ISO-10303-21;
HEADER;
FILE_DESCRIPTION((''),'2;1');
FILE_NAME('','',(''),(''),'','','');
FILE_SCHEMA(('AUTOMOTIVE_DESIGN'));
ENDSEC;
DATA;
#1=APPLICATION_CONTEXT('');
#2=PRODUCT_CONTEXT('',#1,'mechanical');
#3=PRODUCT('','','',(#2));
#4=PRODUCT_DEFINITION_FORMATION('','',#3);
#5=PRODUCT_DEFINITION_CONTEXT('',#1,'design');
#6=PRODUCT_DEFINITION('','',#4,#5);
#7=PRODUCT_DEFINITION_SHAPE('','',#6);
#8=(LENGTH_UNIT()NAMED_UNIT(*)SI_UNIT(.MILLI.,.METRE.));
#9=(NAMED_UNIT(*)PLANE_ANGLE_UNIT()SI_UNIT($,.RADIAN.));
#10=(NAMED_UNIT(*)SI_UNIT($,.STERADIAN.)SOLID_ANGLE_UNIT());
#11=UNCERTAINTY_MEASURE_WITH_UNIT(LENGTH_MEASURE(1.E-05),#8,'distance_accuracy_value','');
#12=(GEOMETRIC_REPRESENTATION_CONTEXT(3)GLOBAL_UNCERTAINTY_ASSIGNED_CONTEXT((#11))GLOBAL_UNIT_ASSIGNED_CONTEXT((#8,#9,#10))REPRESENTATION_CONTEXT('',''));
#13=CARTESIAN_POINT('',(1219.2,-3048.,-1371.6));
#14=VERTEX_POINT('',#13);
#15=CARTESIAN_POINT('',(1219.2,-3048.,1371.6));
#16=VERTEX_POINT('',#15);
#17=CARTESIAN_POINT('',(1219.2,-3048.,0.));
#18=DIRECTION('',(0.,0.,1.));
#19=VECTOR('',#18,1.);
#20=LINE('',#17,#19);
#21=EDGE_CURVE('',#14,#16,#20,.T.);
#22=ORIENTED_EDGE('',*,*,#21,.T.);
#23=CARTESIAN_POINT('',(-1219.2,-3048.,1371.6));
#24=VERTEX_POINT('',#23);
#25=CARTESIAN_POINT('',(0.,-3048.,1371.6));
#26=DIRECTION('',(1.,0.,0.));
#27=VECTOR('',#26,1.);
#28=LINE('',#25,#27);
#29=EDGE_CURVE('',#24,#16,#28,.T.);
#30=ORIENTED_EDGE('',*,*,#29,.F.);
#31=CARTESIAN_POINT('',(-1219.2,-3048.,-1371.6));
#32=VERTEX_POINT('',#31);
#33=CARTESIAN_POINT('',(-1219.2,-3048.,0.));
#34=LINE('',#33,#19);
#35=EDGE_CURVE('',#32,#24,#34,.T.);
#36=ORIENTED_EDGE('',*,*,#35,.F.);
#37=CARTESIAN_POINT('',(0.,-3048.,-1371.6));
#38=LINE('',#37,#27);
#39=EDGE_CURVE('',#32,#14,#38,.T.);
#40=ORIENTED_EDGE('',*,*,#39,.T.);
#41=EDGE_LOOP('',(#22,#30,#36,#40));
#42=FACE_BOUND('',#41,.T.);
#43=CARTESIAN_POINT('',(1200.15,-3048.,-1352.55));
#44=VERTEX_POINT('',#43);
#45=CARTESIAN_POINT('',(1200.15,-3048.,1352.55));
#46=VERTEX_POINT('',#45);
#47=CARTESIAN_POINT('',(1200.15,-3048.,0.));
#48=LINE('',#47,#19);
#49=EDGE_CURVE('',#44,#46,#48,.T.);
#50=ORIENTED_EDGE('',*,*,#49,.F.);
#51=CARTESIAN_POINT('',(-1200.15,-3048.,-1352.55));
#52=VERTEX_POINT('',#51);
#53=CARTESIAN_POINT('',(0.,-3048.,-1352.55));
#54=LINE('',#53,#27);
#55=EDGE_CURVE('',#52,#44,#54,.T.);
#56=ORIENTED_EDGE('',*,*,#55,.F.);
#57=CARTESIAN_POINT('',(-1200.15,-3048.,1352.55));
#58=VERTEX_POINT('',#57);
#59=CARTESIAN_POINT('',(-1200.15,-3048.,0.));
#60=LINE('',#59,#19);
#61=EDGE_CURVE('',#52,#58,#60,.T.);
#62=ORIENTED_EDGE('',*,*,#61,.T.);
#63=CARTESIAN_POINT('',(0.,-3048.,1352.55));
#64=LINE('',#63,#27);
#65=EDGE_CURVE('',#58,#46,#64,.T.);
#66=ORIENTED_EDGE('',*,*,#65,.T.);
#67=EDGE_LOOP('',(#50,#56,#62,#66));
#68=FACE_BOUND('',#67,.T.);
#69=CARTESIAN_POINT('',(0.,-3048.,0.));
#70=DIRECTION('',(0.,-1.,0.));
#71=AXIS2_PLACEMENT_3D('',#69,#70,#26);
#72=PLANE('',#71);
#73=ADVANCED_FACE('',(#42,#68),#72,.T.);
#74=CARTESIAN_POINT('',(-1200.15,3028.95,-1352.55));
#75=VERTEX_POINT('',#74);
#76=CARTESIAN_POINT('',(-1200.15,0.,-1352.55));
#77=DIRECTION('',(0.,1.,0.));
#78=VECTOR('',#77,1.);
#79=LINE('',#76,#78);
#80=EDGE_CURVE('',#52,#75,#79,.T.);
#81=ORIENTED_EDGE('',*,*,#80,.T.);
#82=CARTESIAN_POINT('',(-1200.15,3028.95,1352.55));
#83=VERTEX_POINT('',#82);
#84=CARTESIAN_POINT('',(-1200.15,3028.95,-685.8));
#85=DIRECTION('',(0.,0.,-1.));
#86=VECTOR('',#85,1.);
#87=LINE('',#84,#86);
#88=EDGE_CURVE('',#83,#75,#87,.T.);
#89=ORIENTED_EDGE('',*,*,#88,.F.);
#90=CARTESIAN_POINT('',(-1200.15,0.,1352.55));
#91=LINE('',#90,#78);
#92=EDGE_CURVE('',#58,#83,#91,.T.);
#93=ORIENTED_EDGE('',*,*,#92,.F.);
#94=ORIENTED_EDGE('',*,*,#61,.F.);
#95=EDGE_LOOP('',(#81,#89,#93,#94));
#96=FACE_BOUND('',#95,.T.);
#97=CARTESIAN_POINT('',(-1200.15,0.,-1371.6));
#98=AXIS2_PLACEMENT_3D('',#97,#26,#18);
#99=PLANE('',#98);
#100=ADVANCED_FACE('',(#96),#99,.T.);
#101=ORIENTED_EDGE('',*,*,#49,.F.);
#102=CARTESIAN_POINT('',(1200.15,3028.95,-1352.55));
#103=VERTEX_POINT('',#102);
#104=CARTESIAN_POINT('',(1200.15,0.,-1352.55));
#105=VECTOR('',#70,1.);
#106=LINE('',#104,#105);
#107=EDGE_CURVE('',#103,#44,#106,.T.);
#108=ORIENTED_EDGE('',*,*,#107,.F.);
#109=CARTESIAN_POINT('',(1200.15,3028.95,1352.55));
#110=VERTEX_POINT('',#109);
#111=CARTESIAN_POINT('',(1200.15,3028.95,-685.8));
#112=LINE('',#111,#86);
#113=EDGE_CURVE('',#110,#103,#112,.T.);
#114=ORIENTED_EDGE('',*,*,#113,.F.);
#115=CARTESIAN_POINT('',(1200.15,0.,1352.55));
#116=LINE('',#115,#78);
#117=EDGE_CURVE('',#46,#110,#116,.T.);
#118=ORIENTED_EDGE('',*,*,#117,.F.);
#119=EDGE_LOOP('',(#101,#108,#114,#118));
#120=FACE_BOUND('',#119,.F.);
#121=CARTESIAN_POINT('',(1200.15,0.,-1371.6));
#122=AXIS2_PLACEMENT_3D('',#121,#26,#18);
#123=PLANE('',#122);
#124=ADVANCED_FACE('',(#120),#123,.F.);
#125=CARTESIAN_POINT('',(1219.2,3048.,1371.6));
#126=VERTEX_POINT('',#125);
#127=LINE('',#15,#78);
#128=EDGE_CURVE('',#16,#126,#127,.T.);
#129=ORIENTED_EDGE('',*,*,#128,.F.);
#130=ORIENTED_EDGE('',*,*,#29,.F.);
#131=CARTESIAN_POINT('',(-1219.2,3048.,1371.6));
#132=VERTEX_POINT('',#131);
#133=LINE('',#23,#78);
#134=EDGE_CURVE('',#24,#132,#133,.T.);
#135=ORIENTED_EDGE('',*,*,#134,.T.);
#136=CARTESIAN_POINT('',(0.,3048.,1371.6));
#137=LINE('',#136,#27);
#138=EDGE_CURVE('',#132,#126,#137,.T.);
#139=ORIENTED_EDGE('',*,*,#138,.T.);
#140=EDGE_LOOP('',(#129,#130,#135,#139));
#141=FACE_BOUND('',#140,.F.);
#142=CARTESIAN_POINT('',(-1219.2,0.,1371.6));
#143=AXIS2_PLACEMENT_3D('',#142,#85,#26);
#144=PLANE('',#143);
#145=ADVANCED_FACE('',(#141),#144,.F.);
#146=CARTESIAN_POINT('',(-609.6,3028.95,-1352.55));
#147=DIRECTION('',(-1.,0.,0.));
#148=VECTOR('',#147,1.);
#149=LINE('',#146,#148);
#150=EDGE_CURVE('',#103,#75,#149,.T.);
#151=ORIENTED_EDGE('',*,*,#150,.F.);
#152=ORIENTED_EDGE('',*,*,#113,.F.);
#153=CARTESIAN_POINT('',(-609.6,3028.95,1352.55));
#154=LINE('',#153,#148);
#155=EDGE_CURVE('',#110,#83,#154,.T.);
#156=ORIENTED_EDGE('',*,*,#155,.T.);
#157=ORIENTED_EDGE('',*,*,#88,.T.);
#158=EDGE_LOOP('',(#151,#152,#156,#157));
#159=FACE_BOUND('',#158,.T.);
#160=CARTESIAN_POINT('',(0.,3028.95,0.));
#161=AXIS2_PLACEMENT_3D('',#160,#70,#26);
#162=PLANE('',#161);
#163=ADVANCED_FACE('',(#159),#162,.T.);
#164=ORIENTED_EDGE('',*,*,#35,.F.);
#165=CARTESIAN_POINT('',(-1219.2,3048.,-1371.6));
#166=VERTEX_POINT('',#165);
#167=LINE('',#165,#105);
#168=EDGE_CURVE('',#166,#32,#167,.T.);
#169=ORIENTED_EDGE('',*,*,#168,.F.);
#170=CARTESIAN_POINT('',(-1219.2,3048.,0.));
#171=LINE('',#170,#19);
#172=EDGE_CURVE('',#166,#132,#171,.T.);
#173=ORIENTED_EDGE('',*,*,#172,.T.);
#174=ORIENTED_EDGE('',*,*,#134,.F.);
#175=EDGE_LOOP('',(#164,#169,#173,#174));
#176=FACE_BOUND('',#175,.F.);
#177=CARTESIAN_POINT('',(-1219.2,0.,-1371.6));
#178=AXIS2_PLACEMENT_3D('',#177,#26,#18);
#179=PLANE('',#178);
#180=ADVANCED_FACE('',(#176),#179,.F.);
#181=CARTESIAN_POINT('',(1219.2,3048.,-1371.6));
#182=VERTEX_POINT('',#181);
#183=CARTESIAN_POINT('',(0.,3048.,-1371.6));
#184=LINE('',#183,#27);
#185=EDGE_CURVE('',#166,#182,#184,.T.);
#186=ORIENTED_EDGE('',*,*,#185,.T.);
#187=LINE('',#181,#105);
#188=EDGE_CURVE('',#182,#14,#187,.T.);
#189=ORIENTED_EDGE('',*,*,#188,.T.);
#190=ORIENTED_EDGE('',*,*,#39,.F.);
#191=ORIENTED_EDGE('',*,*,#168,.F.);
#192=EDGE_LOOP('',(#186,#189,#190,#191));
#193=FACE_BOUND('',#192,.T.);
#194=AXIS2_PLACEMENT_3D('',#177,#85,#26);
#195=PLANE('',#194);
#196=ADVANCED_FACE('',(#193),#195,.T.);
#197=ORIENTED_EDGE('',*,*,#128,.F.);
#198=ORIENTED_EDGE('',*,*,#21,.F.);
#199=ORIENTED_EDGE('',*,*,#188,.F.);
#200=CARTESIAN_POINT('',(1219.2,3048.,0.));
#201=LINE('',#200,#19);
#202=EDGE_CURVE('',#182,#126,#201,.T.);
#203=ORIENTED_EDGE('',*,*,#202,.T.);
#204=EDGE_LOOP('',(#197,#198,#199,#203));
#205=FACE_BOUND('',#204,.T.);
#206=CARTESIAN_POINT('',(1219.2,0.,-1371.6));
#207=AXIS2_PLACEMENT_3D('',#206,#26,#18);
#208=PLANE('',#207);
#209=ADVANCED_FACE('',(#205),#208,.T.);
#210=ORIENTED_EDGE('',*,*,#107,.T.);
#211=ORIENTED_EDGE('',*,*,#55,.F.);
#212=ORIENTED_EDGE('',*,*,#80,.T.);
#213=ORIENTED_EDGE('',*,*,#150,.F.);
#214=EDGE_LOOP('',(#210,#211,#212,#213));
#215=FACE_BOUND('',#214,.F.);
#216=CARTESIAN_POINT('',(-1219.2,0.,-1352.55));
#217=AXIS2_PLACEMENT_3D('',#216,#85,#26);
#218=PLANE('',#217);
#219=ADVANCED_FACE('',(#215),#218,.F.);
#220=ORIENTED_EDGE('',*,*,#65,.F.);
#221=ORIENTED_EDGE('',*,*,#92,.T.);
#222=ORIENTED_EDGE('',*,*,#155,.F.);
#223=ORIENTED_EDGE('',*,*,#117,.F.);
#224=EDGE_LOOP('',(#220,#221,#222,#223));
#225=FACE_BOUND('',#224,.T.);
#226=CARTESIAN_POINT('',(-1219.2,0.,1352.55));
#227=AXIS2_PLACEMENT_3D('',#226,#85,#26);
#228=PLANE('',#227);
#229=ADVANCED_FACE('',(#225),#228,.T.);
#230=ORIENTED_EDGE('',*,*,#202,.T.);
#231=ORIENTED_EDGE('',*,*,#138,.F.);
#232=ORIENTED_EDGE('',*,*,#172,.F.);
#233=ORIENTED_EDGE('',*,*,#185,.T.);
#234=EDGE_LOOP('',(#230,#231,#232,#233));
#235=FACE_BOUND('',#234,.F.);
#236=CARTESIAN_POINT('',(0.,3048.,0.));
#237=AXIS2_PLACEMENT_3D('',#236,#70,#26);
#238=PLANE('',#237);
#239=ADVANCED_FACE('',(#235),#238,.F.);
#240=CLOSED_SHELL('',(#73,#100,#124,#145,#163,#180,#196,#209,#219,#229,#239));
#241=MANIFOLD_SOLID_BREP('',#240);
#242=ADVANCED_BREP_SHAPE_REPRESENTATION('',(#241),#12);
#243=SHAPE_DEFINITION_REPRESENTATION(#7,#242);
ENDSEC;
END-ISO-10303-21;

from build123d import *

# Parameters (mm, degrees)
F0_W     = 2438.4
F0_H     = 2743.2
F1_DEPTH = 3048
F2_T     = -19.05


with BuildPart() as f1:
    # F0 (on Front) → F1 (new body, symmetric)
    with BuildSketch(Plane.XZ):
        Rectangle(F0_W, F0_H)
    extrude(amount=F1_DEPTH, both=True)

    # F2
    f2_openings = [f1.faces().sort_by_distance(p)[0] for p in [
        (0, -3048, 0),
    ]]
    offset(amount=F2_T, openings=f2_openings)


solid = f1.part
